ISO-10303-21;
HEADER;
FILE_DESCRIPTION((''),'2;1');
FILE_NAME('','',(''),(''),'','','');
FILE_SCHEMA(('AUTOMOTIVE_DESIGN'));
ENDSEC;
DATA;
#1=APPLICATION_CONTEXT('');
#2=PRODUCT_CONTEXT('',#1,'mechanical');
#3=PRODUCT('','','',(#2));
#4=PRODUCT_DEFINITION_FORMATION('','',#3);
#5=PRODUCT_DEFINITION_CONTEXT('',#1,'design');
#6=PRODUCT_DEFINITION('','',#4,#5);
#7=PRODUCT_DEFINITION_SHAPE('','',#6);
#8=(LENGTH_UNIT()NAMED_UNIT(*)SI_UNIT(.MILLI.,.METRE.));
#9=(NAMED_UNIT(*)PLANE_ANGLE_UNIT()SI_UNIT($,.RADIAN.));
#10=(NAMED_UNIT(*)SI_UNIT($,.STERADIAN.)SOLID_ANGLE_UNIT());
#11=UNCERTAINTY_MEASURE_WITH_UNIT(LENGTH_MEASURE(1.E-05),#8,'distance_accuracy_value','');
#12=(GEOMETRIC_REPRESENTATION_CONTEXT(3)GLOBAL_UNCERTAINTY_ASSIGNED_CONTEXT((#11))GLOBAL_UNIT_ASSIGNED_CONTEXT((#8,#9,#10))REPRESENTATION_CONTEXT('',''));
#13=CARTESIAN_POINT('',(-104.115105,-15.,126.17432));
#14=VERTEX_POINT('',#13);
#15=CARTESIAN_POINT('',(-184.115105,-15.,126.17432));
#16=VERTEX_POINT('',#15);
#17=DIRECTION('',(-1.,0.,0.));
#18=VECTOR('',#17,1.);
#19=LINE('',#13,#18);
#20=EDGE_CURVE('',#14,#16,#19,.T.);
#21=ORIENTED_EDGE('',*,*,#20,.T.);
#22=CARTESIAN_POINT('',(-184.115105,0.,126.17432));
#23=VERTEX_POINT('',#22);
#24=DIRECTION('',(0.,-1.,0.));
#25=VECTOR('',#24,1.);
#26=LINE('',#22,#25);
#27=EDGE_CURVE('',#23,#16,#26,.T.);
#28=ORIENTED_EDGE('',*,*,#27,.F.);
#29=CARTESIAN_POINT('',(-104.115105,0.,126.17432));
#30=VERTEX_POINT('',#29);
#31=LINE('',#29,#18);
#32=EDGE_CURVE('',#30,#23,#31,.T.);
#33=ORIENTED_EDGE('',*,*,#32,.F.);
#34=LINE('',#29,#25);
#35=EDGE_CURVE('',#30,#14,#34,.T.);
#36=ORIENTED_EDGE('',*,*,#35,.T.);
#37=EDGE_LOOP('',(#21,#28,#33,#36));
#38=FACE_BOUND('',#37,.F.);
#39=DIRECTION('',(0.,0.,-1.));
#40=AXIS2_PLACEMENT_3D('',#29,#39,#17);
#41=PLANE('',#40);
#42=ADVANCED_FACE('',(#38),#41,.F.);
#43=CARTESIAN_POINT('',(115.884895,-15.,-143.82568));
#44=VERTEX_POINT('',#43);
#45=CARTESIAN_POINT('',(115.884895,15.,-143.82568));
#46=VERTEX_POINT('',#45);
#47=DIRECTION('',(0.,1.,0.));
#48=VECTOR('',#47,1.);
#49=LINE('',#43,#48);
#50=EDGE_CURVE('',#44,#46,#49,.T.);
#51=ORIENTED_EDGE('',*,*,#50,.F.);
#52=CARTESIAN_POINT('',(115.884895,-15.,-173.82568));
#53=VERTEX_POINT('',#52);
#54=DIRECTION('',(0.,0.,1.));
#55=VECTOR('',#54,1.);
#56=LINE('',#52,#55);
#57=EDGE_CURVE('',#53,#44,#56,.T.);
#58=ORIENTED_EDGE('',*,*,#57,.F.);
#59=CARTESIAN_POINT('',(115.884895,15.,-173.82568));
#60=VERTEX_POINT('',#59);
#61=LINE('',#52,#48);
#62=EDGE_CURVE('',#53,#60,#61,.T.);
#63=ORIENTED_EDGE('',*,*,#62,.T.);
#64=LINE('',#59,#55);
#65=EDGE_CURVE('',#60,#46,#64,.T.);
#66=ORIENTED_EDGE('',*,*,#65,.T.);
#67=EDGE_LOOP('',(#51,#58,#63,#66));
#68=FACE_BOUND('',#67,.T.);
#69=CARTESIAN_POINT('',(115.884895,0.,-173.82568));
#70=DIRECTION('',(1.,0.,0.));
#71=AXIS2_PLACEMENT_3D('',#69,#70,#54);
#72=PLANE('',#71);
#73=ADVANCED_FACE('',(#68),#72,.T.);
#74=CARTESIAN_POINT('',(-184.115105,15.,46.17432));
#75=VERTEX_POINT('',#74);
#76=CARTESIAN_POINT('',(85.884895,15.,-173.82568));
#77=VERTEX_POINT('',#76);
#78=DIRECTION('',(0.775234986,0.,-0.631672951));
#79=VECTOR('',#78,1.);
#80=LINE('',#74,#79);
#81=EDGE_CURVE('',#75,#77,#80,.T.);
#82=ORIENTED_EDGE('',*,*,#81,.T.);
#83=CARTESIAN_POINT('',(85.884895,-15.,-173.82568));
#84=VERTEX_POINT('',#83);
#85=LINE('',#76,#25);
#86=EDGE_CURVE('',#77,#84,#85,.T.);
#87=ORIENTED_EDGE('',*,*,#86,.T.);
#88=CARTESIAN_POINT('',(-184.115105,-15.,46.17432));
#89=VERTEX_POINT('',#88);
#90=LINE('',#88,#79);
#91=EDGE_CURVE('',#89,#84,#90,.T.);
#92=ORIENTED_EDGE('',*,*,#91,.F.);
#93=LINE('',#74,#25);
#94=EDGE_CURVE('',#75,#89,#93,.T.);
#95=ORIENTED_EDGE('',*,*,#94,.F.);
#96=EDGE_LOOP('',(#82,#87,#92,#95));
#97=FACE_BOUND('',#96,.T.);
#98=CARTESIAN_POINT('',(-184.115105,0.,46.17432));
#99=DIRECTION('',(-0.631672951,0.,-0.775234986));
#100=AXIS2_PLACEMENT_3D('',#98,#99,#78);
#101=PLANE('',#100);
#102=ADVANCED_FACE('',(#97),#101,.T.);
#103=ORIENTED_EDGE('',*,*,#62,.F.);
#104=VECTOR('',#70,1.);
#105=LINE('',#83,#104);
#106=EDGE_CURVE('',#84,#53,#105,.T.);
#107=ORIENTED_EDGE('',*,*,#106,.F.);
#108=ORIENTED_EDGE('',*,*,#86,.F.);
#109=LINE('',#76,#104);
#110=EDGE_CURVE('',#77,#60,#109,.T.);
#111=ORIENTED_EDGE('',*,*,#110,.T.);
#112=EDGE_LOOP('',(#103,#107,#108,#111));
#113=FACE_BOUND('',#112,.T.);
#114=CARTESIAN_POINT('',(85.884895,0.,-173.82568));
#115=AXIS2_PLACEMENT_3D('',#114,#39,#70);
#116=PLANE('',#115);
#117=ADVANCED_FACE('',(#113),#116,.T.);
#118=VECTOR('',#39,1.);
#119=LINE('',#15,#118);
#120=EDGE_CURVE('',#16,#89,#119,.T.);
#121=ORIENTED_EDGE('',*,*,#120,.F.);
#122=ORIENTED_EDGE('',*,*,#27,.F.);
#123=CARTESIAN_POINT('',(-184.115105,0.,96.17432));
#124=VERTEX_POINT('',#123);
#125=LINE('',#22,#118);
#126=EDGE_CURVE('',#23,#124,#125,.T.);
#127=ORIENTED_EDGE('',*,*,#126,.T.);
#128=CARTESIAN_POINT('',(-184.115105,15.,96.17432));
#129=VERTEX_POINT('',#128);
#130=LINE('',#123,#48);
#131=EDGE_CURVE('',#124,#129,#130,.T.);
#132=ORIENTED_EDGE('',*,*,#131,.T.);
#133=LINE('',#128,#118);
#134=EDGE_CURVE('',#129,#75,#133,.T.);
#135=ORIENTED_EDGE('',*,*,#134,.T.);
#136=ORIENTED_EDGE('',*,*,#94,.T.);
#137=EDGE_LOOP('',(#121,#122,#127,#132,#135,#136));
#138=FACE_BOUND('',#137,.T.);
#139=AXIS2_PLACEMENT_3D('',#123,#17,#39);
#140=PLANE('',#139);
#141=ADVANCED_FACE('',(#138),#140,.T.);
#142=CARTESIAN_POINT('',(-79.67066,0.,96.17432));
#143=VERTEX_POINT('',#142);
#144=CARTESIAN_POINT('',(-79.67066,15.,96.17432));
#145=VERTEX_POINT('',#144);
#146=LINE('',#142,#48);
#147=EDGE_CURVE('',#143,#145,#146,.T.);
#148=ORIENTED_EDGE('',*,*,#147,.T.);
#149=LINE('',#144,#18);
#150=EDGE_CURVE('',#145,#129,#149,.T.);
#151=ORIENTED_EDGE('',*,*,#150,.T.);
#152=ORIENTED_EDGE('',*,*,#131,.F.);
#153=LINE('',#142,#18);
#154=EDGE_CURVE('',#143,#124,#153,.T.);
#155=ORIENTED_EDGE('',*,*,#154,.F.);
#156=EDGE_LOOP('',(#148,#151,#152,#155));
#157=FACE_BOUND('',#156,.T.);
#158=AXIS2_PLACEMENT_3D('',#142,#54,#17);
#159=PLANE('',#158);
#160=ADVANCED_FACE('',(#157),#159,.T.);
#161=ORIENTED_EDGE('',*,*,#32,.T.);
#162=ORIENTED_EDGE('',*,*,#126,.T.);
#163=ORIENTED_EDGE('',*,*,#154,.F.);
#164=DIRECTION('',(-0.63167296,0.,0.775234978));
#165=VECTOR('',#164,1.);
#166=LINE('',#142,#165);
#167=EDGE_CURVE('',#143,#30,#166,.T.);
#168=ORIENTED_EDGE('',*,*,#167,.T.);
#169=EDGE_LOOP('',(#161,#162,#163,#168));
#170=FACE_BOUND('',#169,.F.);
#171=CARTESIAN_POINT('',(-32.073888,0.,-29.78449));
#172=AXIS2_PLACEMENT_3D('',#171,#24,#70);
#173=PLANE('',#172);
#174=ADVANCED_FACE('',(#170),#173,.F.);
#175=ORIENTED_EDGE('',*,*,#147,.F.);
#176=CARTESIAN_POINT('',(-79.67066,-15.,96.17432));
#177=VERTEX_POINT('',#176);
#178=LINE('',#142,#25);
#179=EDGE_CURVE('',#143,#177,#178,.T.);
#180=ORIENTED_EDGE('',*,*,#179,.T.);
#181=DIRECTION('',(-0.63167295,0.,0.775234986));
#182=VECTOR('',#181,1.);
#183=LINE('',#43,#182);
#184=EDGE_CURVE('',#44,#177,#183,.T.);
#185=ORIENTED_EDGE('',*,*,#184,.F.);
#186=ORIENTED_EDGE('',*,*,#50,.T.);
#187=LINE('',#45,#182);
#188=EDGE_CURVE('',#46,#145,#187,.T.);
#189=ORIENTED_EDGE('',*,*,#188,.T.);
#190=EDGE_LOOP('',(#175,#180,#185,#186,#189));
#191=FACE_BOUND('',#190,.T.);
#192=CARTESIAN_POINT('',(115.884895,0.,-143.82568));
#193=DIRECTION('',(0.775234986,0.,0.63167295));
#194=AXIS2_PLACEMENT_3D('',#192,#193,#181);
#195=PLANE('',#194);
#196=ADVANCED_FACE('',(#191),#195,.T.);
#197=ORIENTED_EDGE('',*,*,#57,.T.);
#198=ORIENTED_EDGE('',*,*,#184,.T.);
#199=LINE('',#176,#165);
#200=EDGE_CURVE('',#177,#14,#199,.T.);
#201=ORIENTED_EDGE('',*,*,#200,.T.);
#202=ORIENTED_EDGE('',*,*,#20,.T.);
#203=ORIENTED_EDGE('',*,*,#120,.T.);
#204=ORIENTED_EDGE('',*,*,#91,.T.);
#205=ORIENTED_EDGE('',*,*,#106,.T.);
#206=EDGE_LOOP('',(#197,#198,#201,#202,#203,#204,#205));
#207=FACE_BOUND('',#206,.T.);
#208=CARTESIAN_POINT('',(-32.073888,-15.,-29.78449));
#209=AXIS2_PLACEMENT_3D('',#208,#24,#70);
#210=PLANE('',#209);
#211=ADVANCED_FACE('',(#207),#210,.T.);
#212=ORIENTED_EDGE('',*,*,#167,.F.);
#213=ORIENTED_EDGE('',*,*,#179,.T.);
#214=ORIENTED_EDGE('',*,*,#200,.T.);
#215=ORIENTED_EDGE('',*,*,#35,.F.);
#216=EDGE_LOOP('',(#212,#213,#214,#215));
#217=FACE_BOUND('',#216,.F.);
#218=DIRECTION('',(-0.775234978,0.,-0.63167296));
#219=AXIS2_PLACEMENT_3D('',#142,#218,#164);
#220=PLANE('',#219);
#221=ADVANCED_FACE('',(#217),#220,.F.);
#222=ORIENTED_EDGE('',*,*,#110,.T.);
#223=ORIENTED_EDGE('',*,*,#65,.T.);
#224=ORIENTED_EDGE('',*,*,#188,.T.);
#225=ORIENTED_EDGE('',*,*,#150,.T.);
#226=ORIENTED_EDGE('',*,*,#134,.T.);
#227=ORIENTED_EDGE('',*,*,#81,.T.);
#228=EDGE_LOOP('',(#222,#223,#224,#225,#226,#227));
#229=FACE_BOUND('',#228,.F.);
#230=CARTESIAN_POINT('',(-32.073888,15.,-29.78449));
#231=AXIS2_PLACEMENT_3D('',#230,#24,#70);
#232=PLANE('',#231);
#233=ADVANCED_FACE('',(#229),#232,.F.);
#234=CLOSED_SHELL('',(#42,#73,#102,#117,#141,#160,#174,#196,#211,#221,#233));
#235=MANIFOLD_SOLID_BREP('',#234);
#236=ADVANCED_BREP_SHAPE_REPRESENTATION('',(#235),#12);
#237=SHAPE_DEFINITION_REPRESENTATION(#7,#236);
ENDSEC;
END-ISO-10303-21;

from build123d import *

# Parameters (mm, degrees)
F1_DEPTH = 15
F2_DEPTH = 15


with BuildPart() as f1:
    # F0 (on Front) → F1 (new body)
    with BuildSketch(Plane.XZ):
        Polygon((-79.67066, 96.17432), (-184.115105, 96.17432), (-184.115105, 46.17432), (85.884895, -173.82568), (115.884895, -173.82568), (115.884895, -143.82568), align=None)
        Polygon((-104.115105, 126.17432), (-184.115105, 126.17432), (-184.115105, 96.17432), (-79.67066, 96.17432), align=None)
    extrude(amount=F1_DEPTH)

    # F0 (on Front) → F2 (join)
    with BuildSketch(Plane.XZ):
        Polygon((-79.67066, 96.17432), (-184.115105, 96.17432), (-184.115105, 46.17432), (85.884895, -173.82568), (115.884895, -173.82568), (115.884895, -143.82568), align=None)
    extrude(amount=-F2_DEPTH)


solid = f1.part
